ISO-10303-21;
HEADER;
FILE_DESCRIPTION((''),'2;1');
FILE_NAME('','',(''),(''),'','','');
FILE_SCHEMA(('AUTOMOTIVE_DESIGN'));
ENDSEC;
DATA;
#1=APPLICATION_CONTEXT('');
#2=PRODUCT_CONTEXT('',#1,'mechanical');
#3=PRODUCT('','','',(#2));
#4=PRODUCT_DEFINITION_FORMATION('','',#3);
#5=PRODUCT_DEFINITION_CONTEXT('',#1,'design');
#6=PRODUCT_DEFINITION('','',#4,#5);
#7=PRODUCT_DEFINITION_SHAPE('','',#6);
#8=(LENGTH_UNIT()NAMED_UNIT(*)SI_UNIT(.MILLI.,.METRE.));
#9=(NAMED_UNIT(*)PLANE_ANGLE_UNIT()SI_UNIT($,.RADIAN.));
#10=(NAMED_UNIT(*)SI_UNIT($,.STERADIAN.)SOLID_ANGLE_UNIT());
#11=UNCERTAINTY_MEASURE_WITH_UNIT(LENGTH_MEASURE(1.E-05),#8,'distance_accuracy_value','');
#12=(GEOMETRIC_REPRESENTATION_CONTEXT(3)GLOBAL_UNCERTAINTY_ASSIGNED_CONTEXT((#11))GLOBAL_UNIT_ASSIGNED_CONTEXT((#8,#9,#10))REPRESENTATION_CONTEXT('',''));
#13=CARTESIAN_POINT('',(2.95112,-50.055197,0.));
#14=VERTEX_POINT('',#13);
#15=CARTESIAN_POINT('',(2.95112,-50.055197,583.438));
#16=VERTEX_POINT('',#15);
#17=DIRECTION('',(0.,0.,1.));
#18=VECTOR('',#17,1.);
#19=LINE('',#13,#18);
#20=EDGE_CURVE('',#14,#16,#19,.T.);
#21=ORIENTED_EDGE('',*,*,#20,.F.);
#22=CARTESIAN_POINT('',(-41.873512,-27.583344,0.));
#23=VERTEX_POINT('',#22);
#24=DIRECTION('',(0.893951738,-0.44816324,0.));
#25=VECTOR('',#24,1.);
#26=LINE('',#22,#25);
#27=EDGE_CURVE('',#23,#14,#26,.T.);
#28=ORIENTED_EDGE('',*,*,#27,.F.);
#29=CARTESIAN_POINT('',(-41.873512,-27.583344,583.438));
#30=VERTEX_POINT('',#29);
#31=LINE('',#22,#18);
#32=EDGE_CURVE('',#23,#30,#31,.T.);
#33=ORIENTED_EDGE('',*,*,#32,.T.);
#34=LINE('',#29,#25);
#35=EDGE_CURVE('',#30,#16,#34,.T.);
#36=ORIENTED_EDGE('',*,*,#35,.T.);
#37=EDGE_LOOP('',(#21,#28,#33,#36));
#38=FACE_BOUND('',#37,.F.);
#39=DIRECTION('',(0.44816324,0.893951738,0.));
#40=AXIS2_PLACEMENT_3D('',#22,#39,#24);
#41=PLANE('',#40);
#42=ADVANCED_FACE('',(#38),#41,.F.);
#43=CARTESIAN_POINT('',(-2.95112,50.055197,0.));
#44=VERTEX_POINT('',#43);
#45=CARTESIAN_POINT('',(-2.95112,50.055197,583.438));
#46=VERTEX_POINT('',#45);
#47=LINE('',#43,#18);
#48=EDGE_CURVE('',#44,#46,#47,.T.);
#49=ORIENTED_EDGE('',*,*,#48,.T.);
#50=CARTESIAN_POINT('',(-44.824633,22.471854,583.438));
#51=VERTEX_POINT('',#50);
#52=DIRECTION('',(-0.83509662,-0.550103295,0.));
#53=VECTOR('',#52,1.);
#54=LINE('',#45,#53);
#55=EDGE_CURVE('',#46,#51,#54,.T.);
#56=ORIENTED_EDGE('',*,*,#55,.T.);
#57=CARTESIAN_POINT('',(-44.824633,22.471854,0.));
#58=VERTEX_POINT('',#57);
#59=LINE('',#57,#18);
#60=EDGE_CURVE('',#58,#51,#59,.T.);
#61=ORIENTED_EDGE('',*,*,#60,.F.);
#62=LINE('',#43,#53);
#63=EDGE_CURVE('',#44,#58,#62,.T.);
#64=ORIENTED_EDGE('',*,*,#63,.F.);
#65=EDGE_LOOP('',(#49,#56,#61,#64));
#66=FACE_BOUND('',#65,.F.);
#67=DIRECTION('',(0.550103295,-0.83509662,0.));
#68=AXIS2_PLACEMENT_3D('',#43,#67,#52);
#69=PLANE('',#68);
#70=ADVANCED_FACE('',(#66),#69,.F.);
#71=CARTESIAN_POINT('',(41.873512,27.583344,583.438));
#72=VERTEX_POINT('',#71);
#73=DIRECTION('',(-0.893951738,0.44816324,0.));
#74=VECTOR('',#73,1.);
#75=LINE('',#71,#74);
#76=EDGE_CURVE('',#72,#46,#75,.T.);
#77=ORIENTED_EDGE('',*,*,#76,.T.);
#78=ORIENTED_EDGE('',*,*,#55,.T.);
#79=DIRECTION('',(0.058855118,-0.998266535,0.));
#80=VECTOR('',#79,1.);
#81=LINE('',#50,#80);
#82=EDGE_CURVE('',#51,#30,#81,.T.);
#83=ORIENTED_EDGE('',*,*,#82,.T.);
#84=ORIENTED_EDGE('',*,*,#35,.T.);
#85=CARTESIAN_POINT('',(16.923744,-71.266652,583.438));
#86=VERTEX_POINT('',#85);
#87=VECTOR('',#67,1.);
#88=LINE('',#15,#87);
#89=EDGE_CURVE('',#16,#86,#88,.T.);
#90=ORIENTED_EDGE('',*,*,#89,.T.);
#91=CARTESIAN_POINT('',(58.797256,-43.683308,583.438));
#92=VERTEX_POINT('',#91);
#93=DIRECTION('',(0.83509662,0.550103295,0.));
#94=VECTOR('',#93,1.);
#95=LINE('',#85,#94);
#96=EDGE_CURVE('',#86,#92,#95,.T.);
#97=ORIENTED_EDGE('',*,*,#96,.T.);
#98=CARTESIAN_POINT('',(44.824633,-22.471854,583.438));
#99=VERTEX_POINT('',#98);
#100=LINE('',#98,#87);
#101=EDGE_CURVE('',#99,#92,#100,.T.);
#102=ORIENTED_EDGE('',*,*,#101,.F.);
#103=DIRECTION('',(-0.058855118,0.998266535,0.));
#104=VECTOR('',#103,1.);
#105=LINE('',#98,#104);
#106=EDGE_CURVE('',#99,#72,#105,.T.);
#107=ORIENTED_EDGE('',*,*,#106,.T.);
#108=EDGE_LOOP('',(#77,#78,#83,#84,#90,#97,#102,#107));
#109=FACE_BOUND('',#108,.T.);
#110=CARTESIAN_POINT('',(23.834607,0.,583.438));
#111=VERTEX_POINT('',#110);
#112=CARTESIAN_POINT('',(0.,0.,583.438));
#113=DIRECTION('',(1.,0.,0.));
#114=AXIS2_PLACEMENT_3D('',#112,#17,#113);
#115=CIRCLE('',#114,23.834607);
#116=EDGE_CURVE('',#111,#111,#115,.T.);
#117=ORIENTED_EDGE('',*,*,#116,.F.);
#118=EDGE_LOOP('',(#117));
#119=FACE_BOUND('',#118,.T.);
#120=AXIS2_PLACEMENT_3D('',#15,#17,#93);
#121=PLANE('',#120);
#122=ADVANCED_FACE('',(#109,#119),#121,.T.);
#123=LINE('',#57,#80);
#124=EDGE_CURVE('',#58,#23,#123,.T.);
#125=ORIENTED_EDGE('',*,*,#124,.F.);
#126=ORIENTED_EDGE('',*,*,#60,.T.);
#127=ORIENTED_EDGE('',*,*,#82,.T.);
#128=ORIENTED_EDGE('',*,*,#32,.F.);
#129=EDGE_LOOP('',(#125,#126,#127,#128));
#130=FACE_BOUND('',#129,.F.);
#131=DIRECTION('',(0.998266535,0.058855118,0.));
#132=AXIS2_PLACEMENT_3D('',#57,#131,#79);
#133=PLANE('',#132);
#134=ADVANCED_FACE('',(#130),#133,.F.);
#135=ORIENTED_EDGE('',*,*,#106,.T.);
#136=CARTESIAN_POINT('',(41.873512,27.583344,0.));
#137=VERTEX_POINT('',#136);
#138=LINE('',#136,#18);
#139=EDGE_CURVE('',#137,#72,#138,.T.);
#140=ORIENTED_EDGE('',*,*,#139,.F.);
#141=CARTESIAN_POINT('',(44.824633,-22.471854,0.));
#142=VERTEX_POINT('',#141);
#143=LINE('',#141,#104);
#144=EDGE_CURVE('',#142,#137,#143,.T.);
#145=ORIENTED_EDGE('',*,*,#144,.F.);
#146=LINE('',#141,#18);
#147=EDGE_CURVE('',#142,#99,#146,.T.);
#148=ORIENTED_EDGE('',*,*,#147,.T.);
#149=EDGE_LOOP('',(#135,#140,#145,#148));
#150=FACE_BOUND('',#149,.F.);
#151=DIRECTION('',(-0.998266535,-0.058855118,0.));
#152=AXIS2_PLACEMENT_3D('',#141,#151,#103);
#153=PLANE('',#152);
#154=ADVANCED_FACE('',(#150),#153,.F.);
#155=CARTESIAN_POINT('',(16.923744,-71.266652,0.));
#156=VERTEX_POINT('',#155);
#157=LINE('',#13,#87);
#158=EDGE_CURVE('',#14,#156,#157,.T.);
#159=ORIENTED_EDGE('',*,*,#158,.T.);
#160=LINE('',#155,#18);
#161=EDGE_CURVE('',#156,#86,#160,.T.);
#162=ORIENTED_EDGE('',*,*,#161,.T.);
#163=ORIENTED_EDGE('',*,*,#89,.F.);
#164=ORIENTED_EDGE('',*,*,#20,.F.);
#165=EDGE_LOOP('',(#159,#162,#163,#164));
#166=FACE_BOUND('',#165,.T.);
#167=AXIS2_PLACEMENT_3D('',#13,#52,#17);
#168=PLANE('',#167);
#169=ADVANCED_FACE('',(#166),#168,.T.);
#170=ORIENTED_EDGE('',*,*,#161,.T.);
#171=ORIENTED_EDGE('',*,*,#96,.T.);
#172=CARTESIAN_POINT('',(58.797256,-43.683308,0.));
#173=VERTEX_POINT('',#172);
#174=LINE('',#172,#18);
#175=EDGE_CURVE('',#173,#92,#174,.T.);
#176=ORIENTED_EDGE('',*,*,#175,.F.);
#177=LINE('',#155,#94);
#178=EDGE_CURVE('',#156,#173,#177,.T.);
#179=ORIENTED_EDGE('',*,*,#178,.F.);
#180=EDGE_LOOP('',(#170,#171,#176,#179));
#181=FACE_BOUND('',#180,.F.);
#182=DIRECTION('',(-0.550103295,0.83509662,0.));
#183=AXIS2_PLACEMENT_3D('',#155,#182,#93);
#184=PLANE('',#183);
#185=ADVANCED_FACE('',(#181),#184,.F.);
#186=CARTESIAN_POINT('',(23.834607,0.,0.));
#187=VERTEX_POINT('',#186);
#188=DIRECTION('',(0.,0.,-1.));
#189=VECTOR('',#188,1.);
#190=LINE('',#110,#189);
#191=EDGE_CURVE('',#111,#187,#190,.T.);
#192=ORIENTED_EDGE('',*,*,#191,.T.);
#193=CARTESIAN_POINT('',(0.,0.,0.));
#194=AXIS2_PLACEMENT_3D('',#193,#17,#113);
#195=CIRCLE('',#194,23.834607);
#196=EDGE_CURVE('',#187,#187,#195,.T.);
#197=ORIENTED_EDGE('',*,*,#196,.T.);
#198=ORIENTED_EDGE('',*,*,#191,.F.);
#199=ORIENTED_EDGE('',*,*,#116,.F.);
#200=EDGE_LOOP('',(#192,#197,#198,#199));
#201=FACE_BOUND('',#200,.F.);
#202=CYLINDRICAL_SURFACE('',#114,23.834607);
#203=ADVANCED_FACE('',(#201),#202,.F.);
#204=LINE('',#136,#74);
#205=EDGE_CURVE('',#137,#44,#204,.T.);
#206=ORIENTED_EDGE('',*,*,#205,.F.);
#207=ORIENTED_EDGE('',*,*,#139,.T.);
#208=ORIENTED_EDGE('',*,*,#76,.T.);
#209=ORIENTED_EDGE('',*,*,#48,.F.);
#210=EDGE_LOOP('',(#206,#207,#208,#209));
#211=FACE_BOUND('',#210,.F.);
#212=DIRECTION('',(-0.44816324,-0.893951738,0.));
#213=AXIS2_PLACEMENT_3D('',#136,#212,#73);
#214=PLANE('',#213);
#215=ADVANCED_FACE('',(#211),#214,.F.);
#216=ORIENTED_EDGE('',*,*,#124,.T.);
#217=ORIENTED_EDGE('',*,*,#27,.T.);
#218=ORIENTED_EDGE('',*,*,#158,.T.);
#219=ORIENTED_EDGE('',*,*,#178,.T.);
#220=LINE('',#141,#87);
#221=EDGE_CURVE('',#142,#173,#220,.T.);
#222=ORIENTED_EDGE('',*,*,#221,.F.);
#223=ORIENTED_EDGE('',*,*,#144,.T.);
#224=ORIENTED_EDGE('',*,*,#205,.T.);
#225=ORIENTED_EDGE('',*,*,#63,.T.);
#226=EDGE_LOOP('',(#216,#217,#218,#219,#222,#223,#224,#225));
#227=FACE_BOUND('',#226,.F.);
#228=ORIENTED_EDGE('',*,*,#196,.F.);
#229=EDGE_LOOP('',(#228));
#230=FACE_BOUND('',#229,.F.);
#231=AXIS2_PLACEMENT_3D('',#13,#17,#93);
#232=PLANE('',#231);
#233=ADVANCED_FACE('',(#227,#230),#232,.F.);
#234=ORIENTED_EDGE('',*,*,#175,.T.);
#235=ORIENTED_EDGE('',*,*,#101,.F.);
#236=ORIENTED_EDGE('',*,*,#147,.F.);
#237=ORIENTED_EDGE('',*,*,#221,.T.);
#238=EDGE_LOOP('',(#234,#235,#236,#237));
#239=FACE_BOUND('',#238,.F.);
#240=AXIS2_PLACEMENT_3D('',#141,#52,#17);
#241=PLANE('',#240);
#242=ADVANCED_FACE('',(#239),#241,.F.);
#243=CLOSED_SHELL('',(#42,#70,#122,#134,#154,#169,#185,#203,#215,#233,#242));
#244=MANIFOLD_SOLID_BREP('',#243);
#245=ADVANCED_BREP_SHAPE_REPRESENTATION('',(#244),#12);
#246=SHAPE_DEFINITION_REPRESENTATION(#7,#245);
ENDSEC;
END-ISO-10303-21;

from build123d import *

# Parameters (mm, degrees)
F1_DEPTH = 583.438
F2_DEPTH = 25.4
F3_R     = 23.8346071904
F4_DEPTH = 899.16


with BuildPart() as f1:
    # F0 (on Top) → F1 (new body)
    with BuildSketch(Plane.XY):
        Polygon((2.9511202201, -50.0551973681), (44.8246326223, -22.4718536038), (41.8735124022, 27.5833437643), (-2.9511202201, 50.0551973681), (-44.8246326223, 22.4718536038), (-41.8735124022, -27.5833437643), align=None)
    extrude(amount=F1_DEPTH)

    # F2 (add): a face of the model
    f2_faces = [f1.faces().sort_by_distance(p)[0] for p in [
        (23.8878764212, -36.263525486, 291.719),
    ]]
    extrude(f2_faces, amount=F2_DEPTH)

    # F3 (on face) → F4 (cut)
    with BuildSketch(Plane.XY.offset(583.438)):
        Circle(F3_R)
    extrude(amount=-F4_DEPTH, mode=Mode.SUBTRACT)


solid = f1.part
